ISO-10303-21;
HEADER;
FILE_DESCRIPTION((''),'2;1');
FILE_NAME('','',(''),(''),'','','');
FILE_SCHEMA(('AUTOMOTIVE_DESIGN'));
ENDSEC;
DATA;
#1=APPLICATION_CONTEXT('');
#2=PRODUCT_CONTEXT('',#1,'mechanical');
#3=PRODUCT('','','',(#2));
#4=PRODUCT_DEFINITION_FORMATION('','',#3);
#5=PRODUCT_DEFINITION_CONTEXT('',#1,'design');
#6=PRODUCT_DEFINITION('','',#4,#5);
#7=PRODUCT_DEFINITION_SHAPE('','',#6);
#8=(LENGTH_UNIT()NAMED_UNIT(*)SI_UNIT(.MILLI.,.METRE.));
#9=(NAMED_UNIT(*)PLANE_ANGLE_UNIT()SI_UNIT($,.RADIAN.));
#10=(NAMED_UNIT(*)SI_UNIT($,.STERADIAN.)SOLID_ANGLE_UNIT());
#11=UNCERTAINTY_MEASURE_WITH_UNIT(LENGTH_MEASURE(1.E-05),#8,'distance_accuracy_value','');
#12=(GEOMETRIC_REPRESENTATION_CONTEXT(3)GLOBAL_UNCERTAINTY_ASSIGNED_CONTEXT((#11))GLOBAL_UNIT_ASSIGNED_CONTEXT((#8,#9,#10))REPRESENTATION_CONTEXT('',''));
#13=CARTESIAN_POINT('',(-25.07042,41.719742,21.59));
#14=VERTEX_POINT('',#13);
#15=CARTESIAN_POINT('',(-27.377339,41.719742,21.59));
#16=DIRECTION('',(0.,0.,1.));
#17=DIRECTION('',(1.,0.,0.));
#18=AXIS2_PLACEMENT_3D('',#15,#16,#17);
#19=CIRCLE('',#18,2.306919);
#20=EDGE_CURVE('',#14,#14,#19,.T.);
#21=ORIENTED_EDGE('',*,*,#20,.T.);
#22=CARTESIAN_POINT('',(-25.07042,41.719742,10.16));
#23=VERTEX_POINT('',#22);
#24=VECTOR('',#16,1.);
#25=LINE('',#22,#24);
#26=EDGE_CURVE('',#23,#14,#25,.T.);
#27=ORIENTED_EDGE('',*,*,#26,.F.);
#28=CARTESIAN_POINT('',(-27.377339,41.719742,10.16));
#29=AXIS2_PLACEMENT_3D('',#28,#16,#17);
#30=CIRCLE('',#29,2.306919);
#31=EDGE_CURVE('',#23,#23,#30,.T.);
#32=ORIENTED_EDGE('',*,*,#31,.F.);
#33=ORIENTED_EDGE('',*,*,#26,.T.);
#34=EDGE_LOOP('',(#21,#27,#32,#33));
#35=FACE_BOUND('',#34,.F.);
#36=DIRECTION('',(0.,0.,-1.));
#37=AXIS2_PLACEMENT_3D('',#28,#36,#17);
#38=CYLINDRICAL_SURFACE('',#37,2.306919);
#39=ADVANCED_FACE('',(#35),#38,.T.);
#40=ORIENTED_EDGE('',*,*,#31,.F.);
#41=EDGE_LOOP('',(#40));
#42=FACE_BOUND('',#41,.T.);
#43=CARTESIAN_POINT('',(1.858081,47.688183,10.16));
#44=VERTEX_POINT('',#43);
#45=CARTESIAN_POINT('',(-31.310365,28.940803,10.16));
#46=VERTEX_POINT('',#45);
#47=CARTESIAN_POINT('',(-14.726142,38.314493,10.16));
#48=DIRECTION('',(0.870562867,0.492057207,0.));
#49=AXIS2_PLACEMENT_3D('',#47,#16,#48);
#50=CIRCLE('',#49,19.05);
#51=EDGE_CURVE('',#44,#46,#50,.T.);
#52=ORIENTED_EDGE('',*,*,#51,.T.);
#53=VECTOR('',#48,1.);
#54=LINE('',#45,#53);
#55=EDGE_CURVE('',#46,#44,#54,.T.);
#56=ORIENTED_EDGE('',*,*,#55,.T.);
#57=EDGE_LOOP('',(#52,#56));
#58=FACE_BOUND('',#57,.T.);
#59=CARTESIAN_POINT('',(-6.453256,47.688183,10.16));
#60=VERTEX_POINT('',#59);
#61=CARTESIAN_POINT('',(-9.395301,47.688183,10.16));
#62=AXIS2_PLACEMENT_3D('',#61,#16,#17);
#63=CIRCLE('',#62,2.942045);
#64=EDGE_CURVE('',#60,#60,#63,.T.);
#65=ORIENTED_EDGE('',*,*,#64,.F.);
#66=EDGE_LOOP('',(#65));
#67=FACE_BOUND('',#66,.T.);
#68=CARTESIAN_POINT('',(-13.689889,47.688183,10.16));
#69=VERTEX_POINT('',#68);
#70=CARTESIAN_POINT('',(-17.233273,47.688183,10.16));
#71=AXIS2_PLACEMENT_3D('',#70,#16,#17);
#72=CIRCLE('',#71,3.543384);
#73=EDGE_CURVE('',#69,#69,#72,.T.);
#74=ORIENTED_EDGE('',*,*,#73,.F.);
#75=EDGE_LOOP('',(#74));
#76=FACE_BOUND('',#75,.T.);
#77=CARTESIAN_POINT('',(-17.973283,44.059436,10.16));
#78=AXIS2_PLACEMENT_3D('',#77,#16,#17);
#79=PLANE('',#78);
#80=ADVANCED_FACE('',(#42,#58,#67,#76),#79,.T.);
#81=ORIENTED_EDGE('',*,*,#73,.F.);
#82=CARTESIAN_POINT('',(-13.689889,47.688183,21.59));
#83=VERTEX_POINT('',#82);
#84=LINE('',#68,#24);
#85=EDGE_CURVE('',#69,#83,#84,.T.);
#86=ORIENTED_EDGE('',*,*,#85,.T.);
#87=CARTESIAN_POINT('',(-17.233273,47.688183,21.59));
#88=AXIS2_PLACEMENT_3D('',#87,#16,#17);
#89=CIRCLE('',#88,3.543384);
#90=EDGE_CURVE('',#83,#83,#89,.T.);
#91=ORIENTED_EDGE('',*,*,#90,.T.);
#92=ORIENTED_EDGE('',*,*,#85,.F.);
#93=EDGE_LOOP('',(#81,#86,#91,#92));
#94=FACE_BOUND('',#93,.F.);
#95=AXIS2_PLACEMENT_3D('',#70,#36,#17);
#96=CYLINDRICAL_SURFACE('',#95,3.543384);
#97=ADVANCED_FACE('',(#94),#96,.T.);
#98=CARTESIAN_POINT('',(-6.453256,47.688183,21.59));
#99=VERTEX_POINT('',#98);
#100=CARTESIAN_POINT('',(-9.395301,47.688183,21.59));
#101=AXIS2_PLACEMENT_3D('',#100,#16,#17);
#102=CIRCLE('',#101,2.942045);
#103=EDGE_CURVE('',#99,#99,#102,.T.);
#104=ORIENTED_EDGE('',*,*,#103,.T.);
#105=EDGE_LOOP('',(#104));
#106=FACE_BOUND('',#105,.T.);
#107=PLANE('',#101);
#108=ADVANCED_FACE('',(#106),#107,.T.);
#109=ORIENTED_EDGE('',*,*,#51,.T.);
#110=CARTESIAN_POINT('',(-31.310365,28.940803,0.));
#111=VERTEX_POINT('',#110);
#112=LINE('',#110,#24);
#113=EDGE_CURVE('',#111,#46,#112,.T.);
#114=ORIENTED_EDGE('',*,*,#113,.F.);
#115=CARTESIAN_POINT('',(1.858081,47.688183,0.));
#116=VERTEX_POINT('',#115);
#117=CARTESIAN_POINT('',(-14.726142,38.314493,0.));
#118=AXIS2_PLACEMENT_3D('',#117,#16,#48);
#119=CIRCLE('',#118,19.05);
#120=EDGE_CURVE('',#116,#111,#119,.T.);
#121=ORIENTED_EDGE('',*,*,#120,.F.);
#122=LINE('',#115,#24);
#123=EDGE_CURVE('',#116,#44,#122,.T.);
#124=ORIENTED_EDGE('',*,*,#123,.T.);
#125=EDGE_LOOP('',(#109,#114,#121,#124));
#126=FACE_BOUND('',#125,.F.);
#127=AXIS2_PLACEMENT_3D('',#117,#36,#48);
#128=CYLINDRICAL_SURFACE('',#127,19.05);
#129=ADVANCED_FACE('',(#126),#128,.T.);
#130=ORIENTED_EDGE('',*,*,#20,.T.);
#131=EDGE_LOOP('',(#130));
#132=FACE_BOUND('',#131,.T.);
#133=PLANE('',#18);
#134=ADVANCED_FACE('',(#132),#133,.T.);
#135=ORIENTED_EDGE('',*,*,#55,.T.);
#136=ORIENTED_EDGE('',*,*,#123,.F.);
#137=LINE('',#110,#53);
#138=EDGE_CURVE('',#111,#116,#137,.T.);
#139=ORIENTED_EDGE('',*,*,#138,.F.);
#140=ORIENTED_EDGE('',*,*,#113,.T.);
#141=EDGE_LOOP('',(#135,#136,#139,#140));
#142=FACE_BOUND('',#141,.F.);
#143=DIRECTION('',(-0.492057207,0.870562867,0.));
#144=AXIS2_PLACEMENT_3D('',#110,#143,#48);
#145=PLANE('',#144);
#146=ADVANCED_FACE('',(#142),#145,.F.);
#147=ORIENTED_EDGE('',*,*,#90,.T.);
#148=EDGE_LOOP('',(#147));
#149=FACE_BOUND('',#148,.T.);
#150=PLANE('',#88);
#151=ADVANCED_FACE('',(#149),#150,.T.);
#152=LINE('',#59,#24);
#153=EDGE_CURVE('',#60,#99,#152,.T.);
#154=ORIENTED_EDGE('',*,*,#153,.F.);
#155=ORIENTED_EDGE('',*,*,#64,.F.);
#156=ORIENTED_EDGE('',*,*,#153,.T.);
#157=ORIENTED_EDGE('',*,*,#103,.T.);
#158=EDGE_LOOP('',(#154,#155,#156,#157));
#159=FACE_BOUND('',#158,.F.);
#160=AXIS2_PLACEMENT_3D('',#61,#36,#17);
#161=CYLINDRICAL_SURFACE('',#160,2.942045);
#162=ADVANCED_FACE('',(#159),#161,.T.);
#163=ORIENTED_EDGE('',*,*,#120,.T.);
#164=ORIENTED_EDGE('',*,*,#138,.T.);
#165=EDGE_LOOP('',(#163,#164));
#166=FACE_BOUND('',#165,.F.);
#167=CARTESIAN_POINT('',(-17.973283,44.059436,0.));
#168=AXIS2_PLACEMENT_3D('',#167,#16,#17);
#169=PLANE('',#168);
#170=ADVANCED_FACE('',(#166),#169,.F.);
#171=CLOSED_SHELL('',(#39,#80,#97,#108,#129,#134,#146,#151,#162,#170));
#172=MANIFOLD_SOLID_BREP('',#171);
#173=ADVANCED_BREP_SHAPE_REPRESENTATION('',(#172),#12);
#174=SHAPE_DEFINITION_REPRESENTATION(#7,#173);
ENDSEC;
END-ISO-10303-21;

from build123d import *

# Parameters (mm, degrees)
F1_DEPTH = 10.16
F2_R     = 2.306919
F2_R_2   = 3.543384
F2_R_3   = 2.942045
F3_DEPTH = 11.43


with BuildPart() as f1:
    # F0 (on Top) → F1 (new body)
    with BuildSketch(Plane.XY):
        with BuildLine():
            ThreePointArc((1.858081, 47.688183), (-24.099832, 54.898716), (-31.310365, 28.940803))
            Line((-31.310365, 28.940803), (1.858081, 47.688183))
        make_face()
    extrude(amount=F1_DEPTH)

    # F2 (on face) → F3 (join)
    with BuildSketch(Plane.XY.offset(10.16)):
        with Locations((-27.377339, 41.719742)):
            Circle(F2_R)
        with Locations((-17.233273, 47.688183)):
            Circle(F2_R_2)
        with Locations((-9.395301, 47.688183)):
            Circle(F2_R_3)
    extrude(amount=F3_DEPTH)


solid = f1.part
